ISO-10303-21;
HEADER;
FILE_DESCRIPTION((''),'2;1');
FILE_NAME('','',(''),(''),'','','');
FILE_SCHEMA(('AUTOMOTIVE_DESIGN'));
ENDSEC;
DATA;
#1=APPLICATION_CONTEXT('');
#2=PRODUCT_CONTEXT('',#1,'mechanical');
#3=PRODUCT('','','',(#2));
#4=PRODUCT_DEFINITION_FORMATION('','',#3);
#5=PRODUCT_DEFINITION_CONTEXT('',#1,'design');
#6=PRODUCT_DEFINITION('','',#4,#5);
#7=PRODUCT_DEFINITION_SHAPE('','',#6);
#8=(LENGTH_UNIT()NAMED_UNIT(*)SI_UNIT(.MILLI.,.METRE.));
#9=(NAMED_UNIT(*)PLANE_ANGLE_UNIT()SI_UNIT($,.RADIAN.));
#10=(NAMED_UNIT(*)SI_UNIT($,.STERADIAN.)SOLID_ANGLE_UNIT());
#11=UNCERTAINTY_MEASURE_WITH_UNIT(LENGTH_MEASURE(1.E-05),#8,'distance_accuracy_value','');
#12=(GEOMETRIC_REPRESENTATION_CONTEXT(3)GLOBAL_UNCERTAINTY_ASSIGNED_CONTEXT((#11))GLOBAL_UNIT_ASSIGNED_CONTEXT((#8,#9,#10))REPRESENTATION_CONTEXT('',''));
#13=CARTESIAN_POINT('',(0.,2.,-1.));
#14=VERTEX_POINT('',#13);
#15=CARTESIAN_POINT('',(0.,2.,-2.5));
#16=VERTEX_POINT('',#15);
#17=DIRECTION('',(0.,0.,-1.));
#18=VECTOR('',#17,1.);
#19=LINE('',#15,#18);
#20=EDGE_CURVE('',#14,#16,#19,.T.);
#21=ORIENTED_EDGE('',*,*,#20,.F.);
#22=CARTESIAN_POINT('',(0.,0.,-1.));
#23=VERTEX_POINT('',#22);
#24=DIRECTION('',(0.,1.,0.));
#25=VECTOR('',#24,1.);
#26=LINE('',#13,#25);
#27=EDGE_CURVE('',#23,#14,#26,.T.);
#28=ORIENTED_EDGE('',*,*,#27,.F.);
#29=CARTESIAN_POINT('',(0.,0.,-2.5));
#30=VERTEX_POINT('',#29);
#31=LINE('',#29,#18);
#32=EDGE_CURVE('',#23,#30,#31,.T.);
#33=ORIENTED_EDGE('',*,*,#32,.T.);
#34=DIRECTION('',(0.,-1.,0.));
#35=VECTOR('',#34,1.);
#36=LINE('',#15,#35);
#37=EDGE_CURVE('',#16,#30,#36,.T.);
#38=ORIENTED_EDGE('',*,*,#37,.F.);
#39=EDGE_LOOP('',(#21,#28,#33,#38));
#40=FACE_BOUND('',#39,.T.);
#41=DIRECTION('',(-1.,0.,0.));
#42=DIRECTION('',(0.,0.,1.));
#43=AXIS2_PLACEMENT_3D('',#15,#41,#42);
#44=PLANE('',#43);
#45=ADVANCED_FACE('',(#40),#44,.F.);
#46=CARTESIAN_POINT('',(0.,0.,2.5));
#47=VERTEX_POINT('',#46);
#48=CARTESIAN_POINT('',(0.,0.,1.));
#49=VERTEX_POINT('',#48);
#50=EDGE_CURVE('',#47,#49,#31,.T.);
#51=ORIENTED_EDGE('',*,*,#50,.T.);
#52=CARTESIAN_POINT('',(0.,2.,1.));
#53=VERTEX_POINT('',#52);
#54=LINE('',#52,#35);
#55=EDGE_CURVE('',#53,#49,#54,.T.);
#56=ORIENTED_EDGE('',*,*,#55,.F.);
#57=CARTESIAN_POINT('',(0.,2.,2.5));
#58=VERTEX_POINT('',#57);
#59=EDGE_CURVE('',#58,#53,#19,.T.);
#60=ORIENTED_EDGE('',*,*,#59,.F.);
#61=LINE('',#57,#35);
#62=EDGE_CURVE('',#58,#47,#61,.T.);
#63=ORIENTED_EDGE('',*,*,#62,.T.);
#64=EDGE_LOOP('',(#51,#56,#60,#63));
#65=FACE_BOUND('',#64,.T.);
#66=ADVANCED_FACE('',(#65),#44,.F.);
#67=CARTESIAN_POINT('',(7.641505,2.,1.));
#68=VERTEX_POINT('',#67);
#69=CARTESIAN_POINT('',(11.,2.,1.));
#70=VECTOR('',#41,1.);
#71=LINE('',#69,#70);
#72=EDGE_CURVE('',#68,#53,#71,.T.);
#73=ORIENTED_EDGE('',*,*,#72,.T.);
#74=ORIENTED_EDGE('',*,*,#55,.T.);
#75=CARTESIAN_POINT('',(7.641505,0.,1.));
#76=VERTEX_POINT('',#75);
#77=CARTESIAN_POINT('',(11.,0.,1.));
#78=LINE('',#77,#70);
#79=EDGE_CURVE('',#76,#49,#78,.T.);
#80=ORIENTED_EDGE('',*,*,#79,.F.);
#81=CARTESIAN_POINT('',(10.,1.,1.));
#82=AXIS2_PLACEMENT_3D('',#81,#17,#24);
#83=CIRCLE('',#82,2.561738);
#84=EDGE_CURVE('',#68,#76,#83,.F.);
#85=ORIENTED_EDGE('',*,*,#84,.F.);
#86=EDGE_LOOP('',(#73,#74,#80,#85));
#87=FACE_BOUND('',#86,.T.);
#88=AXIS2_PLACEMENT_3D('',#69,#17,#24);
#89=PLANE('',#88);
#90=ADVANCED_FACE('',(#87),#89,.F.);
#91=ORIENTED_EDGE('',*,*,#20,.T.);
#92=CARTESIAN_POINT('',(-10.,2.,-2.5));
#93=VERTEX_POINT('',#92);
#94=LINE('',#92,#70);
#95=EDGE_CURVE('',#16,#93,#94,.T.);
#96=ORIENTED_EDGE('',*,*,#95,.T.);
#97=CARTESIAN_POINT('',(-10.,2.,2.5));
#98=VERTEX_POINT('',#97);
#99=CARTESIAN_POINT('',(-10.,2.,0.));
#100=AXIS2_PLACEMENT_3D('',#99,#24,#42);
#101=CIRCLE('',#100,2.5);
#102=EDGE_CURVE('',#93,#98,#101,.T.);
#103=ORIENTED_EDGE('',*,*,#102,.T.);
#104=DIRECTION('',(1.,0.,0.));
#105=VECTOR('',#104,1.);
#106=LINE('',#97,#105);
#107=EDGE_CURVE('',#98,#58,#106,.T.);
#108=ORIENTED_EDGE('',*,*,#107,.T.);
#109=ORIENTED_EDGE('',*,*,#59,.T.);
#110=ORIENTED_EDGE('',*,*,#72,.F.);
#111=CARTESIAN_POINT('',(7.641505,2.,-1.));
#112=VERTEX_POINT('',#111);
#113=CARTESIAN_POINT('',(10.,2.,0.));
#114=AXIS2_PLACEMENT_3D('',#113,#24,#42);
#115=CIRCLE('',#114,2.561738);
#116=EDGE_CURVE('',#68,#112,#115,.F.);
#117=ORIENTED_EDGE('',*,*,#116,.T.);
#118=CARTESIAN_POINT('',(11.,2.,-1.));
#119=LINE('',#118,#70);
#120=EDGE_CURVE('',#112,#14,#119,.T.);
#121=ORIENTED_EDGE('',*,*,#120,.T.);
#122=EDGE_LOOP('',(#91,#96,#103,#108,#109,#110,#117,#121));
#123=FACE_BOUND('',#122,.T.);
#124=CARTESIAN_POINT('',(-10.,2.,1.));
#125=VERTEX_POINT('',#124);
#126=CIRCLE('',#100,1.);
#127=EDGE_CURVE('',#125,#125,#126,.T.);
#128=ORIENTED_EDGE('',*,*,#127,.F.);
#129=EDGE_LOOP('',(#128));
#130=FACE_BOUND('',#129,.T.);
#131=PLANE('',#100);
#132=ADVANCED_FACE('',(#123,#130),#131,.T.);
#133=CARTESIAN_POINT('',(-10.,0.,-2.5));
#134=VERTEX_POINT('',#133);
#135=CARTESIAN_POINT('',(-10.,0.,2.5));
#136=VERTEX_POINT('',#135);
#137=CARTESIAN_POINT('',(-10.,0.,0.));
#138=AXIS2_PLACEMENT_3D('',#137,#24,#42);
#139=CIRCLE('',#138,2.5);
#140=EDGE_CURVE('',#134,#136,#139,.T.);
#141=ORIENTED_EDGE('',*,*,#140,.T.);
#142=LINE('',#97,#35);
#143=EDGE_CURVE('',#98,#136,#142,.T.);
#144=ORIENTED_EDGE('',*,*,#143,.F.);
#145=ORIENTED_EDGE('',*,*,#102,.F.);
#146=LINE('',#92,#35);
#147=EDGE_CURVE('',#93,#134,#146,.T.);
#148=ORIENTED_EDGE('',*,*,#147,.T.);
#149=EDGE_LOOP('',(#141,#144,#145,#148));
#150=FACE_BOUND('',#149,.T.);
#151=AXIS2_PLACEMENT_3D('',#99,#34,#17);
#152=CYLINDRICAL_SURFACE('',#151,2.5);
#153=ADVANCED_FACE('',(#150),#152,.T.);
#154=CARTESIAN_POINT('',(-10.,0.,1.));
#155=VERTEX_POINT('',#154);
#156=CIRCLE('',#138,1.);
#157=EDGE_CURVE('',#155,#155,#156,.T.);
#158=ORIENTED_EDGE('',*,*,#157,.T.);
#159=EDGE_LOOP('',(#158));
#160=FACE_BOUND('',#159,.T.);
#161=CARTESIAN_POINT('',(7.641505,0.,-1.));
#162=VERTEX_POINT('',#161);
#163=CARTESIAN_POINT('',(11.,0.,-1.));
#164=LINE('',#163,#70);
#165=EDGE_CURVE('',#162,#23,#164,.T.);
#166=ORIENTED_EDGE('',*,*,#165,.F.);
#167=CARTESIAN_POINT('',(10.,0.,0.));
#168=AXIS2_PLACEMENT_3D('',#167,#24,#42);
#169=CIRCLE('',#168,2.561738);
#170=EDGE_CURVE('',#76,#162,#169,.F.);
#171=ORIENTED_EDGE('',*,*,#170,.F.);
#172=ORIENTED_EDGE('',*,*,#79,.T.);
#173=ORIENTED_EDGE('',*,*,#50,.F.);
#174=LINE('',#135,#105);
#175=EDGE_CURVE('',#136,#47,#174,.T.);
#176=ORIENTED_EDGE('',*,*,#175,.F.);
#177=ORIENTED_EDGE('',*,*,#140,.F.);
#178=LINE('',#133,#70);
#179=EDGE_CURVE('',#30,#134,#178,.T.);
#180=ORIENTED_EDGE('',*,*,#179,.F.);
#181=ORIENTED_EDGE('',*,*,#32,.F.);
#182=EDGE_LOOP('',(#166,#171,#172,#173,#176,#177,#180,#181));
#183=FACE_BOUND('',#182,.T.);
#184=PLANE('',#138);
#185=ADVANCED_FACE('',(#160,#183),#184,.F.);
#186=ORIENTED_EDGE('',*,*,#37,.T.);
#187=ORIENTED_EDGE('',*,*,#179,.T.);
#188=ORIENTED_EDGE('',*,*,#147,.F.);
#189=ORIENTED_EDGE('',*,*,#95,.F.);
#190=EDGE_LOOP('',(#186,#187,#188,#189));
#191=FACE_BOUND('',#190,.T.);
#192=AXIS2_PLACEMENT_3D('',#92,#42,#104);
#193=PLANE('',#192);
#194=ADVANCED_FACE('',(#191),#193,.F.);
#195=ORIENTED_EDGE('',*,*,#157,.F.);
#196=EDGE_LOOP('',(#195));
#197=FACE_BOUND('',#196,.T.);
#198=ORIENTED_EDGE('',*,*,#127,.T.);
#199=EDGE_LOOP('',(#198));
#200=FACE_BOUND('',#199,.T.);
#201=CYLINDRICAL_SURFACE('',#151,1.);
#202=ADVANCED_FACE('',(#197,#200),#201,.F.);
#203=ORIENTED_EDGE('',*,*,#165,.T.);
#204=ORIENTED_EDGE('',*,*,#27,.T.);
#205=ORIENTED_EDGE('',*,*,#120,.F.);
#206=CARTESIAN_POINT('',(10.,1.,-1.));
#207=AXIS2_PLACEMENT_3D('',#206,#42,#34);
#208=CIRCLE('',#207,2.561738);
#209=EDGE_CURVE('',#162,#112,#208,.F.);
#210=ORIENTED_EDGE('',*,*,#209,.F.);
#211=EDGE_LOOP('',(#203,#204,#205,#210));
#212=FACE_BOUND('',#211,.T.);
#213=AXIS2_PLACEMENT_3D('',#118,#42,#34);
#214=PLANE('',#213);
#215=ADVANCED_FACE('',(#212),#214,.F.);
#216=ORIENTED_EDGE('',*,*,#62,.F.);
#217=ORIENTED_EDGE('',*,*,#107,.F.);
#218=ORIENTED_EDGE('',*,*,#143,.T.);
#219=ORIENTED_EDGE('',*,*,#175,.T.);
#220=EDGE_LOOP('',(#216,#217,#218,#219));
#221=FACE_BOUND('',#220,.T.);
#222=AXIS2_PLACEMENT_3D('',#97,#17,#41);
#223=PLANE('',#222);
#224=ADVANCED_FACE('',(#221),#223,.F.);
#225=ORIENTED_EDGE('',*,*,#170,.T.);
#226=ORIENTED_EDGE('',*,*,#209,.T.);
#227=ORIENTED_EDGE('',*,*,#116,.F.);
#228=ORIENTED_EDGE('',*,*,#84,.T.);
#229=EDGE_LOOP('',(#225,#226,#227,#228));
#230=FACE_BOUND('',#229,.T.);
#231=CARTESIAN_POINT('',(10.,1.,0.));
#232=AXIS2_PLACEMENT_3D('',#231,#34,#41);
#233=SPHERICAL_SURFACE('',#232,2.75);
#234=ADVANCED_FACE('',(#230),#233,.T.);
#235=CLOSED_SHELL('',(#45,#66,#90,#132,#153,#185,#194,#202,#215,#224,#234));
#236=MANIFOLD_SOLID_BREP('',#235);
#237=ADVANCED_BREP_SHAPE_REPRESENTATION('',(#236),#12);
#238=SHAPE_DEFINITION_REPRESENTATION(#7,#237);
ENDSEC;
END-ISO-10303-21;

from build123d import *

# Parameters (mm, degrees)
SKETCH1_R               = 1
BOSS_EXTRUDE1_DEPTH     = 2
SKETCH4_W               = 2
SKETCH4_H               = 2
BOSS_EXTRUDE2_DEPTH     = 11
CUT_EXTRUDE1_DEPTH      = 13.903487901
CUT_EXTRUDE1_DEPTH_BACK = 13.903487901
CUT_EXTRUDE2_DEPTH      = 14.133925537
CUT_EXTRUDE2_DEPTH_BACK = 14.133925537
CUT_EXTRUDE3_DEPTH      = 14.133925537
CUT_EXTRUDE3_DEPTH_BACK = 14.133925537
SKETCH7_R               = 0.5


with BuildPart() as part:
    # Sketch1 → Boss-Extrude1 (new body)
    with BuildSketch(Plane(origin=(0, 0, 0), x_dir=(1, 0, 0), z_dir=(0, 1, 0))):
        with BuildLine():
            Line((-10, 2.5), (0, 2.5))
            Line((0, 2.5), (0, -2.5))
            Line((0, -2.5), (-10, -2.5))
            ThreePointArc((-10, -2.5), (-12.5, 0), (-10, 2.5))
        make_face()
        with Locations(Location((-10, 0, 0), (0, 0, 270))):
            Circle(SKETCH1_R, mode=Mode.SUBTRACT)
    extrude(amount=BOSS_EXTRUDE1_DEPTH)

    # Sketch4 → Boss-Extrude2 (add)
    with BuildSketch(Plane(origin=(0, 0, 0), x_dir=(0, 0, -1), z_dir=(1, 0, 0))):
        with Locations((0, 1)):
            Rectangle(SKETCH4_W, SKETCH4_H)
    extrude(amount=BOSS_EXTRUDE2_DEPTH)

    # Sketch5 → Cut-Extrude1 (cut, two sides: drawn at the far end of the back side and taken through both)
    with BuildSketch(Plane(origin=(0, 2, 0), x_dir=(1, 0, 0), z_dir=(0, 1, 0)).offset(-CUT_EXTRUDE1_DEPTH_BACK)):
        with BuildLine():
            Line((10, 1), (10, 1.5))
            Line((10, 1.5), (12, 1.5))
            Line((12, 1.5), (12, -1.5))
            Line((12, -1.5), (10, -1.5))
            Line((10, -1.5), (10, -1))
            ThreePointArc((10, -1), (11, 0), (10, 1))
        make_face()
    extrude(amount=CUT_EXTRUDE1_DEPTH + CUT_EXTRUDE1_DEPTH_BACK, mode=Mode.SUBTRACT)

    # Sketch6 → Cut-Extrude2 (cut, two sides: drawn at the far end of the back side and taken through both)
    with BuildSketch(Plane(origin=(0, 0, -1), x_dir=(-1, 0, 0), z_dir=(0, 0, -1)).offset(-CUT_EXTRUDE2_DEPTH_BACK)):
        with BuildLine():
            Line((-10, 2), (-10, 2.5))
            Line((-10, 2.5), (-12, 2.5))
            Line((-12, 2.5), (-12, -0.5))
            Line((-12, -0.5), (-10, -0.5))
            Line((-10, -0.5), (-10, 0))
            ThreePointArc((-10, 0), (-11, 1), (-10, 2))
        make_face()
    extrude(amount=CUT_EXTRUDE2_DEPTH + CUT_EXTRUDE2_DEPTH_BACK, mode=Mode.SUBTRACT)

    # Sketch7 → Cut-Extrude3 (cut, two sides: drawn at the far end of the back side and taken through both)
    with BuildSketch(Plane(origin=(0, 0, -1), x_dir=(-1, 0, 0), z_dir=(0, 0, -1)).offset(-CUT_EXTRUDE3_DEPTH_BACK)):
        with Locations(Location((-10, 1, 0), (0, 0, 90))):
            Circle(SKETCH7_R)
    extrude(amount=CUT_EXTRUDE3_DEPTH + CUT_EXTRUDE3_DEPTH_BACK, mode=Mode.SUBTRACT)

    # Sketch10 → Revolve1 (revolve)
    with BuildSketch(Plane.XY):
        with BuildLine():
            ThreePointArc((10, 3.75), (12.75, 1), (10, -1.75))
            Line((10, -1.75), (10, 1))
            Line((10, 1), (10, 3.75))
        make_face()
    revolve(axis=Axis((10, 1, 0), (0, 1, 0)))


solid = part.part
